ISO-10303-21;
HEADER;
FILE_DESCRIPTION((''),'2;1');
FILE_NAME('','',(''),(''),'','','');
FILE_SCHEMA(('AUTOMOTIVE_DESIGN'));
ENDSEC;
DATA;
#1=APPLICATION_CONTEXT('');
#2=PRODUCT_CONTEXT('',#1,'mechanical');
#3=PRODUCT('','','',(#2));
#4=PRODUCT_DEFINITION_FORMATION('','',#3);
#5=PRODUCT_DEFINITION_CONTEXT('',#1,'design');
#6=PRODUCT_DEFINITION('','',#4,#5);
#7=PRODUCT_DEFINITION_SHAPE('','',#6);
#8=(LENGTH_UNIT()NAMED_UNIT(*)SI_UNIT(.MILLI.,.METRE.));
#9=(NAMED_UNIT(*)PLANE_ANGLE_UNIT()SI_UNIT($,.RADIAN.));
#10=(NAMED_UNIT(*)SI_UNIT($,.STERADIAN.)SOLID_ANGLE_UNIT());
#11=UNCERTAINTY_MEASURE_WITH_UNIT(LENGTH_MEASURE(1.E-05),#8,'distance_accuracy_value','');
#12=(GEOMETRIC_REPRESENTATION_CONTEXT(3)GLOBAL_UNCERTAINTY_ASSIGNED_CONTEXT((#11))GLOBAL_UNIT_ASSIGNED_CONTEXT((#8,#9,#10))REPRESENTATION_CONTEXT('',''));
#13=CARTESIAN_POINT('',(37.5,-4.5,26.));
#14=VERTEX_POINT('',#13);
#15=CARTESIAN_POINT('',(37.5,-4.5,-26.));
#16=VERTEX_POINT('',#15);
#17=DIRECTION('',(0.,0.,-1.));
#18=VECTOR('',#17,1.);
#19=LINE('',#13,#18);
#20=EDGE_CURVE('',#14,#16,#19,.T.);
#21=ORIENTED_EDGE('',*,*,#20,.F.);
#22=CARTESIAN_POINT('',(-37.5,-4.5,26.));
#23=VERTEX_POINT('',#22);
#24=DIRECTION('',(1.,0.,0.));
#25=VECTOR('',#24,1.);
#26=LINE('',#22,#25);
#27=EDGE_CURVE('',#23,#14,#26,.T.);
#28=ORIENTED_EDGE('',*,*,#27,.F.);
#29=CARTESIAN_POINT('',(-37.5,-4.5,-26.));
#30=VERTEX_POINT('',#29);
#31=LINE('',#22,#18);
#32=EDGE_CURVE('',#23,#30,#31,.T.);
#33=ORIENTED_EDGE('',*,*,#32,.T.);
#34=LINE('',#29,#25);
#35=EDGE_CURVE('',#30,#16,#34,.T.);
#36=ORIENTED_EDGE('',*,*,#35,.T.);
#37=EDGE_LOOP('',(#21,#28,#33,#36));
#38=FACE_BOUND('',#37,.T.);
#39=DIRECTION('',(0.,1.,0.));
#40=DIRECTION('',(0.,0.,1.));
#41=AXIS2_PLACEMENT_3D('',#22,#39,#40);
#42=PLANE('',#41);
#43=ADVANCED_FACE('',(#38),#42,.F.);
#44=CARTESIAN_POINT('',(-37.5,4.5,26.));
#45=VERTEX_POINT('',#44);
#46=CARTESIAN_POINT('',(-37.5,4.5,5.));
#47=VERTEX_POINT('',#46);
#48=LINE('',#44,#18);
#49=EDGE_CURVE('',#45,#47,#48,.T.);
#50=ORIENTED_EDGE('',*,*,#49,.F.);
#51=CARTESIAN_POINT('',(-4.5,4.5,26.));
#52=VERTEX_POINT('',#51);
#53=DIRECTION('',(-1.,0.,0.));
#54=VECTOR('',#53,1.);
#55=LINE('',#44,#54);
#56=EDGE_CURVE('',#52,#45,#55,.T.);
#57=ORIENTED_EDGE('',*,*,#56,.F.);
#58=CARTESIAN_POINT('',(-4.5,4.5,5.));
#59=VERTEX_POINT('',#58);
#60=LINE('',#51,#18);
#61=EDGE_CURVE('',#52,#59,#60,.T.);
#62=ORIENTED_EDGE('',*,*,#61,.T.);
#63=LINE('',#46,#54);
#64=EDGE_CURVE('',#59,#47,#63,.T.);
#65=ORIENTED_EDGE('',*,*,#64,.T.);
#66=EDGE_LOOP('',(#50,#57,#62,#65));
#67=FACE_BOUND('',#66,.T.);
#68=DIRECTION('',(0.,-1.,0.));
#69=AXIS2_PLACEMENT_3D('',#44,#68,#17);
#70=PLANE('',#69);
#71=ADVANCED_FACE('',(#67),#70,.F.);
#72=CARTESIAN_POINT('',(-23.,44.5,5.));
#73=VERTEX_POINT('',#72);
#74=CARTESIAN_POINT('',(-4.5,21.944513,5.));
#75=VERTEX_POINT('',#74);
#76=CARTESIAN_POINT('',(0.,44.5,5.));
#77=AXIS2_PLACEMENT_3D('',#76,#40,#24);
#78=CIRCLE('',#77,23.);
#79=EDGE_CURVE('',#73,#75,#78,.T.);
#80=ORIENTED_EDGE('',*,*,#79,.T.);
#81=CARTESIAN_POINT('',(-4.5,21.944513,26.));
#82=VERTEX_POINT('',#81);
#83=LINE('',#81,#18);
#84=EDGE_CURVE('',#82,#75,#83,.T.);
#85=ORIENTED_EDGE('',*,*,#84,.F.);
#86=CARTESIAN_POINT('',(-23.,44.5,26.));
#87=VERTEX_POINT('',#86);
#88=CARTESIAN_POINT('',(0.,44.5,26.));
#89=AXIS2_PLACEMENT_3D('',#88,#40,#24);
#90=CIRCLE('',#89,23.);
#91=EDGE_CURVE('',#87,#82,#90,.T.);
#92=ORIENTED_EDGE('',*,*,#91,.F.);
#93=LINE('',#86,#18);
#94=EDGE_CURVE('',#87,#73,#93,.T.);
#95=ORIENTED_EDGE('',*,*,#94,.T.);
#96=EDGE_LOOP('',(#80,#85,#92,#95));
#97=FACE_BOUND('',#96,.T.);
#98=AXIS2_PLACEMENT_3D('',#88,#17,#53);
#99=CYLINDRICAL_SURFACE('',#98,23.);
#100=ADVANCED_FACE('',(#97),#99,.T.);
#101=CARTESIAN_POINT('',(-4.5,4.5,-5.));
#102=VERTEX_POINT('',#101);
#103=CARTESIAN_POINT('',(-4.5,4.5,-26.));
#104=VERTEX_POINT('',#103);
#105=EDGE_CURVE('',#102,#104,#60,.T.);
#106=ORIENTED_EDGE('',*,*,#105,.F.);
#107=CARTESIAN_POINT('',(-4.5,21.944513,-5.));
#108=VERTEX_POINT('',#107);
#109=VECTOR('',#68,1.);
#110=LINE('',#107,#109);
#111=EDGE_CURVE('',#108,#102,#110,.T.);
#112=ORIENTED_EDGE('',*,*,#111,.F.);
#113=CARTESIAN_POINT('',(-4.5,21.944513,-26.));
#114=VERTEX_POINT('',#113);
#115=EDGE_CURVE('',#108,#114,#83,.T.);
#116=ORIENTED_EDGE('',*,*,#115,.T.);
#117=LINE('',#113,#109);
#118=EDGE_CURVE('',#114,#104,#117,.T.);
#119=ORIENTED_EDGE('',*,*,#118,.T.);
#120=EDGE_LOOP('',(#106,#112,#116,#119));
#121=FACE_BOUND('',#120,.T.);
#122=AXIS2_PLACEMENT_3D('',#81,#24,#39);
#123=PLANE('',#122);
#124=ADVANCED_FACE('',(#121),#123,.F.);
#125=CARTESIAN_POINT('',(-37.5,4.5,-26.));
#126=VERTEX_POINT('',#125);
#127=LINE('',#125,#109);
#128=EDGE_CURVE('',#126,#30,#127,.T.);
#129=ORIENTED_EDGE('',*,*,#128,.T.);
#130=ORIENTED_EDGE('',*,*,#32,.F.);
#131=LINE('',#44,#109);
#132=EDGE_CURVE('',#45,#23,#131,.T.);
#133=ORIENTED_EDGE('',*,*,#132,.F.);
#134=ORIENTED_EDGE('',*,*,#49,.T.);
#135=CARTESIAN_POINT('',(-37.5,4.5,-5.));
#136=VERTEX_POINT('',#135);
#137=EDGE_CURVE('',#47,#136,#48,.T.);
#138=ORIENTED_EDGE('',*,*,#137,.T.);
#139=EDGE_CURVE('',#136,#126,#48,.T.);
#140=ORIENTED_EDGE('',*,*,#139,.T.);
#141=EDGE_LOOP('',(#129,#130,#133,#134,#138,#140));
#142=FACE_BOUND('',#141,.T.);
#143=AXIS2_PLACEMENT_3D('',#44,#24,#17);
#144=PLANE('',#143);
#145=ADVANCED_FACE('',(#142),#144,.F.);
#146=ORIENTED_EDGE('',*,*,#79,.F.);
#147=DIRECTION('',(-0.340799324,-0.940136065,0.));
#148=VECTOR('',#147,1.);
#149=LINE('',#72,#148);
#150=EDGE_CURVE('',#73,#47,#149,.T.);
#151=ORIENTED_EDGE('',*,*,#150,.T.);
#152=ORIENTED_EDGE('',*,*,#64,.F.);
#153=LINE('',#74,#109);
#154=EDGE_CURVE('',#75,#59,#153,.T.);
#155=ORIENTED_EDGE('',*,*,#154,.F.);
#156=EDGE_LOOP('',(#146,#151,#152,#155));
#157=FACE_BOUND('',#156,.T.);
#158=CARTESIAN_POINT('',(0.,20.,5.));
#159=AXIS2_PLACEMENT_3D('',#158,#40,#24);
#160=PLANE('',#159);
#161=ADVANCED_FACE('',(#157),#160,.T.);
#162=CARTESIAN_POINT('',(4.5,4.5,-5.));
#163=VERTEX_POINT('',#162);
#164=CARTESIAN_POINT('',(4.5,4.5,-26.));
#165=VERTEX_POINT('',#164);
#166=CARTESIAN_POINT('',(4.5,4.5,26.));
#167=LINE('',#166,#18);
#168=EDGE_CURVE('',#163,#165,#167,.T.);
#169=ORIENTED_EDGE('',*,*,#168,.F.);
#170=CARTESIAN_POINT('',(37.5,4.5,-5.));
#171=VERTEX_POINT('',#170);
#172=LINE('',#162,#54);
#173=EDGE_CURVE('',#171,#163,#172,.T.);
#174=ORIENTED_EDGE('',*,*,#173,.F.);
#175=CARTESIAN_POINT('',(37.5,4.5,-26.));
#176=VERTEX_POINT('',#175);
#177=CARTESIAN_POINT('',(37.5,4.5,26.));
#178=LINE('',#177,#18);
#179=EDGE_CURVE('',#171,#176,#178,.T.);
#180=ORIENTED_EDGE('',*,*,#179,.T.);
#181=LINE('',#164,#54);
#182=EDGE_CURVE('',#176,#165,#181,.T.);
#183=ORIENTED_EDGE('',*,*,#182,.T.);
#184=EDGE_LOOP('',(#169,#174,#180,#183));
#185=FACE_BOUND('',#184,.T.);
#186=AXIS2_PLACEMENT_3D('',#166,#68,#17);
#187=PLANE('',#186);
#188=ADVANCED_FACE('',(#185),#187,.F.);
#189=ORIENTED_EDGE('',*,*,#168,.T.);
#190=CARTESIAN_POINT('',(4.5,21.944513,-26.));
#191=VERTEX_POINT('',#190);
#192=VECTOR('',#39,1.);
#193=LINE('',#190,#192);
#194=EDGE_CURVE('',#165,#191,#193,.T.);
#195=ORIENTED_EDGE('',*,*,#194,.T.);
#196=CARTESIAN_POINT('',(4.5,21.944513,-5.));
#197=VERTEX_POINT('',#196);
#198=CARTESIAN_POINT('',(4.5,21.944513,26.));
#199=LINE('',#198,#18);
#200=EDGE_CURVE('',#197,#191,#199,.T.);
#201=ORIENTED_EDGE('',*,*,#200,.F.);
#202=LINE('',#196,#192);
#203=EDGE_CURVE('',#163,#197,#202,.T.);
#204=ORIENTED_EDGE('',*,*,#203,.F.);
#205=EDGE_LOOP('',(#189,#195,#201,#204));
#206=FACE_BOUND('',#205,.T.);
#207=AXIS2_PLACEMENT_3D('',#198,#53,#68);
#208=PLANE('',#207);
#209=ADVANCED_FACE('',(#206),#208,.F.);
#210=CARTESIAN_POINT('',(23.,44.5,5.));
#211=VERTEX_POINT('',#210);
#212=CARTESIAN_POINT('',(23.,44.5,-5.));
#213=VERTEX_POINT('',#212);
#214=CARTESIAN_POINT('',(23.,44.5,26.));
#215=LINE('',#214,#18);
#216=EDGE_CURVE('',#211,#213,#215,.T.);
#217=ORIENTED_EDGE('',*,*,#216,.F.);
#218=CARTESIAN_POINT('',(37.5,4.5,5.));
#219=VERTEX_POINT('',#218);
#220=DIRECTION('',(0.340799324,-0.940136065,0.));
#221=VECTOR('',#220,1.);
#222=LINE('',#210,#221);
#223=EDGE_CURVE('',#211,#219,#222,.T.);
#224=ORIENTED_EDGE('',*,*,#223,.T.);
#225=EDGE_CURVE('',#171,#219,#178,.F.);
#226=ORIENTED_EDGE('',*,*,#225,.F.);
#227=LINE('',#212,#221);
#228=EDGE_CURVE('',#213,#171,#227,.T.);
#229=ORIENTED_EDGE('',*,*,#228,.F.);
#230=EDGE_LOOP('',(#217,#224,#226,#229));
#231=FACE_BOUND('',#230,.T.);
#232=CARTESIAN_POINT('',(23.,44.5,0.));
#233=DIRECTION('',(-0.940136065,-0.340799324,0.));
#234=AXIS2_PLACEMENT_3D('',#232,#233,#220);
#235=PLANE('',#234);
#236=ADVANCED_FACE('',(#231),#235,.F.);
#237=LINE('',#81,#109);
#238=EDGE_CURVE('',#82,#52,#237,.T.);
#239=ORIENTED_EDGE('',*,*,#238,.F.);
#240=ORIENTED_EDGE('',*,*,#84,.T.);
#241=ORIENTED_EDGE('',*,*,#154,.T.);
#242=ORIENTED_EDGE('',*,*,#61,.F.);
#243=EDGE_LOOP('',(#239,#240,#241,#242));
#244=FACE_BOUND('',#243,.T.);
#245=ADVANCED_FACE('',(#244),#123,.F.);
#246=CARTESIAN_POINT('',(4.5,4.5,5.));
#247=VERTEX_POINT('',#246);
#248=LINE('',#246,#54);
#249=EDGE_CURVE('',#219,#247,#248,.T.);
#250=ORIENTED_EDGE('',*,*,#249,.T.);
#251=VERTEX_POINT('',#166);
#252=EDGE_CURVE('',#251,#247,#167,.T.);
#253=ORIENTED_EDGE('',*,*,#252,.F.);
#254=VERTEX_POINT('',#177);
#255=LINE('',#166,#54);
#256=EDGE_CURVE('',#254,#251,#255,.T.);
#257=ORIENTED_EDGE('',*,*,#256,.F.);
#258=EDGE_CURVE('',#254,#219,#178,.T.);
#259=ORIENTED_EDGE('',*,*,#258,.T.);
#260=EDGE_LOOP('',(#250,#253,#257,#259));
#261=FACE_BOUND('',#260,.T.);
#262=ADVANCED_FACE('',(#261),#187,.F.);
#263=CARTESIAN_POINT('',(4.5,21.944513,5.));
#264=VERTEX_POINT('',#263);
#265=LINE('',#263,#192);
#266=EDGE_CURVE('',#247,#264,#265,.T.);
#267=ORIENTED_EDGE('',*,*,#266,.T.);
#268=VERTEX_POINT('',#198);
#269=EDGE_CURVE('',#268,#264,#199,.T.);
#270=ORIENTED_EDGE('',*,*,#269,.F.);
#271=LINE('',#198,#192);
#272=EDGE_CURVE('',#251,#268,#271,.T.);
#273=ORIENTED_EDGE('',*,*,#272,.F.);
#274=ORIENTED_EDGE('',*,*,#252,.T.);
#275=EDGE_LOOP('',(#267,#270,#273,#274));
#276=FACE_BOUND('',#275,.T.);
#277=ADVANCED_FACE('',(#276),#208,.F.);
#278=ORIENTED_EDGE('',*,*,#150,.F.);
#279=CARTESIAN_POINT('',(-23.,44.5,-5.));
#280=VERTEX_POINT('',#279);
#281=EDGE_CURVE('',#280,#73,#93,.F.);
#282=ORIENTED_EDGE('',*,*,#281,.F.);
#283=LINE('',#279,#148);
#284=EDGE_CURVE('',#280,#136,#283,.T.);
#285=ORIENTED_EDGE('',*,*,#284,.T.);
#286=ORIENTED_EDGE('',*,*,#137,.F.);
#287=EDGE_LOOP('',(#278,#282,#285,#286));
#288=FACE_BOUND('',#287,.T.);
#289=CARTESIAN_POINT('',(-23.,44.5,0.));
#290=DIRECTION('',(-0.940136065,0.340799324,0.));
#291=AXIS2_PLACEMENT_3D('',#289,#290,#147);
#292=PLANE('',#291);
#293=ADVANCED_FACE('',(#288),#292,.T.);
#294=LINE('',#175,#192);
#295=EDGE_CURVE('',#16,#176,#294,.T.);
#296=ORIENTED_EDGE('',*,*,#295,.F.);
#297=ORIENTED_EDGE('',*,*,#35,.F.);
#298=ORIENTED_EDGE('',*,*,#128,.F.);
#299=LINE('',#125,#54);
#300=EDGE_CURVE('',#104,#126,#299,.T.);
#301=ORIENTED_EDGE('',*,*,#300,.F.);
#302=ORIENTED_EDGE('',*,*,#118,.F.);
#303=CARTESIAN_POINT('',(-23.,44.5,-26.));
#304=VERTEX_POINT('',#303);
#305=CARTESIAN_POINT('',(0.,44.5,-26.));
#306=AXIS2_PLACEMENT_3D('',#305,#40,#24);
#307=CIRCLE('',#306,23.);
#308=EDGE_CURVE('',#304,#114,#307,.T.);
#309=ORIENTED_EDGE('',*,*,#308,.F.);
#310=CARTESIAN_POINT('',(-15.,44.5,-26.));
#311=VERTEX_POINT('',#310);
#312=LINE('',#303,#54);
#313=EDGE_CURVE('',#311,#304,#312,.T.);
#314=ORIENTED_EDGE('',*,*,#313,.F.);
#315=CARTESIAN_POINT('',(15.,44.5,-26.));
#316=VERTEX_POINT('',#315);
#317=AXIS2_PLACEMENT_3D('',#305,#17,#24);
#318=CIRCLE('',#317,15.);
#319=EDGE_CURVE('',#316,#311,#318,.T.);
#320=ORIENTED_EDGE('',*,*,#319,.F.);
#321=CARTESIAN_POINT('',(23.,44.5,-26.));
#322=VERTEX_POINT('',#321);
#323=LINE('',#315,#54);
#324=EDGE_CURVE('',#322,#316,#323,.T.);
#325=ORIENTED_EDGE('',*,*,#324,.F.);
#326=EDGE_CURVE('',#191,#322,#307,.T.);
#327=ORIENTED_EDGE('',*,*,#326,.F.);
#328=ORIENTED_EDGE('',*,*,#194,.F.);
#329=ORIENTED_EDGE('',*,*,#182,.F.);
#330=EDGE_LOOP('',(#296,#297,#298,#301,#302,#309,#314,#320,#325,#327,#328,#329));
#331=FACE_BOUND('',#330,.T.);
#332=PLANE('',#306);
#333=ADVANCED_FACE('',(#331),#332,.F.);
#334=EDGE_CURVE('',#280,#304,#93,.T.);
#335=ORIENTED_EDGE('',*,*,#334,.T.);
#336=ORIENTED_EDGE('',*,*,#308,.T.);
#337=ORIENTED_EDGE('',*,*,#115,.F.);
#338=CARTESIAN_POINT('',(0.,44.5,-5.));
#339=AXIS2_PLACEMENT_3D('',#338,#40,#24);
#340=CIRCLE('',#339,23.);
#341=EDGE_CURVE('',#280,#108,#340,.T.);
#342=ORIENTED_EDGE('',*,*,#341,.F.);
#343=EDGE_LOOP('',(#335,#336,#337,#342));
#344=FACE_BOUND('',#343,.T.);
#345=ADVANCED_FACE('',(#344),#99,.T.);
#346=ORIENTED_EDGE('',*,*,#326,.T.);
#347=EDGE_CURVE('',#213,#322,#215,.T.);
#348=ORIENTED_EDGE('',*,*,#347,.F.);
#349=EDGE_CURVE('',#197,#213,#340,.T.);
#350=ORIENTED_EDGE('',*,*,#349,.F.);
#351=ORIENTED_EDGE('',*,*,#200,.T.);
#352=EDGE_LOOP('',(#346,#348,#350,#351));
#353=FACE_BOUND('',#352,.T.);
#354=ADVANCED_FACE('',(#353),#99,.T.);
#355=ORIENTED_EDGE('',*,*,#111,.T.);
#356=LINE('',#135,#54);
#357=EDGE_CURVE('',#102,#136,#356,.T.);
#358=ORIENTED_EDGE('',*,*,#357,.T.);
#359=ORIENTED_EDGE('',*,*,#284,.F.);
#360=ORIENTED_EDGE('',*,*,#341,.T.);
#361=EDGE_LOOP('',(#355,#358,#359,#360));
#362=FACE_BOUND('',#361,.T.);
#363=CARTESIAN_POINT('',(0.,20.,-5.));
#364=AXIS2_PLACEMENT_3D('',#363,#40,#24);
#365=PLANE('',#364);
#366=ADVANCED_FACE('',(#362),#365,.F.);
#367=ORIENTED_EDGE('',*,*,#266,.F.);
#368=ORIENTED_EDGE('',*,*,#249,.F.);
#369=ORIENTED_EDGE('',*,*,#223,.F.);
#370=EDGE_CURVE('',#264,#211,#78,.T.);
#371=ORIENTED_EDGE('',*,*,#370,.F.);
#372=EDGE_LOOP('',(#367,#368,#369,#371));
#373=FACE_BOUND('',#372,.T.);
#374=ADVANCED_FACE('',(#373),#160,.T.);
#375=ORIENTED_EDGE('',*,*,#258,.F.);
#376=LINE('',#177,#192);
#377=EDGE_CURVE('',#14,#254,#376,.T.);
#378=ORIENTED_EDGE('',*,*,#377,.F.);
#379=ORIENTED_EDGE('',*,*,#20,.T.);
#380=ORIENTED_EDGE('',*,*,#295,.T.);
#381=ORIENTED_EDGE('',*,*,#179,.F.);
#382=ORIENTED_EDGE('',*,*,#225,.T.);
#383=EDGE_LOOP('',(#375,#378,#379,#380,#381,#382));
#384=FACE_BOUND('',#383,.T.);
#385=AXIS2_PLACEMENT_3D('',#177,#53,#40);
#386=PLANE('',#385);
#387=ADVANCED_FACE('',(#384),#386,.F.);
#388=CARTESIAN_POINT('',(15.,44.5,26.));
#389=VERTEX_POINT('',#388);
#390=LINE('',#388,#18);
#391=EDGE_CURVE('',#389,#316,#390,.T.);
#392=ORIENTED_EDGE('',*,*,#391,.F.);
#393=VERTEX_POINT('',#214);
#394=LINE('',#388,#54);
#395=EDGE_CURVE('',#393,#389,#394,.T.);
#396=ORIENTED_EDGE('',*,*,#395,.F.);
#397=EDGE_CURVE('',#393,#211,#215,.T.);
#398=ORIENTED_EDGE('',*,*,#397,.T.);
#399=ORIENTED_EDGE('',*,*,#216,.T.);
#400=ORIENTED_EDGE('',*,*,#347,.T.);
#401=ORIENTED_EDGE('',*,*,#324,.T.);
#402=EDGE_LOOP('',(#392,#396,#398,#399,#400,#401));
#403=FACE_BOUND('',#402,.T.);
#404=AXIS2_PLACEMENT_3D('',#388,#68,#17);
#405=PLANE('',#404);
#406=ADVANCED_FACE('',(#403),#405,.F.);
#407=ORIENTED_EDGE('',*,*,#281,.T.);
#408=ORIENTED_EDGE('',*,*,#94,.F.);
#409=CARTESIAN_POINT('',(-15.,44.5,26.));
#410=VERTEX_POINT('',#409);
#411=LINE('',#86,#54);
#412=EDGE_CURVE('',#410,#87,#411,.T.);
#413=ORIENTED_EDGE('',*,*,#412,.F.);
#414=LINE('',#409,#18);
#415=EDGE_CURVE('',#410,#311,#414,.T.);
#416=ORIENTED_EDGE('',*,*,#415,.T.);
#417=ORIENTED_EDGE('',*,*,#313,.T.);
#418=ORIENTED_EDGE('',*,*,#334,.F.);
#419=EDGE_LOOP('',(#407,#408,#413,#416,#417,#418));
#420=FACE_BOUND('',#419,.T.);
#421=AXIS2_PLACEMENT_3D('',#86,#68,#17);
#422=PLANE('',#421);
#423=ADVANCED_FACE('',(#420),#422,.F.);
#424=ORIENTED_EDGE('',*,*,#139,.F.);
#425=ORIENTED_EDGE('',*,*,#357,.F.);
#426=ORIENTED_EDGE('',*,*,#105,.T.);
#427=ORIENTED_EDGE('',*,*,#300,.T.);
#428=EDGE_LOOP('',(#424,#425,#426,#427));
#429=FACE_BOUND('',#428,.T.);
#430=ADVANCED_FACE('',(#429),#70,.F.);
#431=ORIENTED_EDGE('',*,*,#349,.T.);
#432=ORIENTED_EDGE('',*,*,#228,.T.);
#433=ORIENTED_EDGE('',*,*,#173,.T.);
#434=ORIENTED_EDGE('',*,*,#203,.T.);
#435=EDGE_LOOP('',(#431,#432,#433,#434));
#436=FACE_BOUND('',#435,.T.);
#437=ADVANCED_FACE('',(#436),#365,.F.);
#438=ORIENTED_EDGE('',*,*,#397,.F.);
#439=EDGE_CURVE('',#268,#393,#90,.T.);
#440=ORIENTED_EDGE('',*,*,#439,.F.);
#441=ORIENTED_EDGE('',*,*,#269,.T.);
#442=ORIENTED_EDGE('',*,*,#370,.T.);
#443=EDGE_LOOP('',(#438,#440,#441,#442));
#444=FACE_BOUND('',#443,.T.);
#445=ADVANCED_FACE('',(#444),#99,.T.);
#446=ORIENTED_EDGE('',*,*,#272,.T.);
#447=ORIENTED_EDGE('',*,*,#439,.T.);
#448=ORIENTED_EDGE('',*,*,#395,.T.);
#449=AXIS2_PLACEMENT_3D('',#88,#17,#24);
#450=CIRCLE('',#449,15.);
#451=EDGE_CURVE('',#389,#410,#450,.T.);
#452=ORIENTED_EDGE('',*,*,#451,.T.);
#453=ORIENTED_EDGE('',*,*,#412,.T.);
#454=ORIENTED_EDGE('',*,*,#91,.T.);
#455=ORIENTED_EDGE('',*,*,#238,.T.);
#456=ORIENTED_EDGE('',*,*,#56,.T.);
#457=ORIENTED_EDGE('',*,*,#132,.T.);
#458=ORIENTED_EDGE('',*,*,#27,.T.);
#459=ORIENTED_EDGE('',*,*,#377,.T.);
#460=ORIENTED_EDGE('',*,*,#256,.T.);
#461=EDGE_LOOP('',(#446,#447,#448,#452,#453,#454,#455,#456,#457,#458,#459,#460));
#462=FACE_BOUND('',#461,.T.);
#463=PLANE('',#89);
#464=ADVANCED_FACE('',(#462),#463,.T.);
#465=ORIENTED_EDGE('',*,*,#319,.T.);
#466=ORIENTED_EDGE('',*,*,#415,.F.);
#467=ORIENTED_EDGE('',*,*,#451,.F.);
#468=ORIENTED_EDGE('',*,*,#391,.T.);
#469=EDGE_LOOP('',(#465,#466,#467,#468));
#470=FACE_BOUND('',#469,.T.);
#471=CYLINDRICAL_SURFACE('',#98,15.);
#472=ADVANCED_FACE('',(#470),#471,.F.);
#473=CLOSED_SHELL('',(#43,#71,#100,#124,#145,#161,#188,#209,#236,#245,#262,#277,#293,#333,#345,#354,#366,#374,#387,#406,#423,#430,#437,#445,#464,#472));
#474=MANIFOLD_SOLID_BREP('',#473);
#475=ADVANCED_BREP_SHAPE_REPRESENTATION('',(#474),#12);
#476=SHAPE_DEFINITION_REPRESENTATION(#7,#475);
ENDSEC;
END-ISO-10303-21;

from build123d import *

# Parameters (mm, degrees)
BOSS_EXTRUDE2_DEPTH = 26
RIB1_REACH          = 65.738
SKETCH2_WALL_W      = 172.022520638
SKETCH2_WALL_H      = 10


with BuildPart() as part:
    # Sketch1 → Boss-Extrude2 (new, symmetric)
    with BuildSketch(Plane.XY):
        with BuildLine():
            Line((-23, 44.5), (-15, 44.5))
            ThreePointArc((-15, 44.5), (0, 29.5), (15, 44.5))
            Line((15, 44.5), (23, 44.5))
            ThreePointArc((23, 44.5), (17.783419244, 29.914047854), (4.5, 21.944512863))
            Line((4.5, 21.944512863), (4.5, 4.5))
            Line((4.5, 4.5), (37.5, 4.5))
            Line((37.5, 4.5), (37.5, -4.5))
            Line((37.5, -4.5), (-37.5, -4.5))
            Line((-37.5, -4.5), (-37.5, 4.5))
            Line((-37.5, 4.5), (-4.5, 4.5))
            Line((-4.5, 4.5), (-4.5, 21.944512863))
            ThreePointArc((-4.5, 21.944512863), (-17.783419244, 29.914047854), (-23, 44.5))
        make_face()
    extrude(amount=BOSS_EXTRUDE2_DEPTH, both=True)

    # Sketch2 wall → Rib1 (add, up to next)
    with BuildSketch(Plane(origin=(30.25, 24.5, 0), x_dir=(0.340799323621, -0.940136065162, 0), z_dir=(0.940136065162, 0.340799323621, 0)), mode=Mode.PRIVATE) as rib1_sk1:
        Rectangle(SKETCH2_WALL_W, SKETCH2_WALL_H)
    rib1_tool1 = extrude(rib1_sk1.sketch, amount=-RIB1_REACH, mode=Mode.PRIVATE) - part.part
    rib1 = rib1_tool1.solids().sort_by_distance((30.25, 24.5, 0))[0]
    add(rib1)

    # Mirror1: Rib1 across plane
    add(rib1.mirror(Plane(origin=(0, 0, 0), x_dir=(0, 0, 1), z_dir=(1, 0, 0))))


solid = part.part
